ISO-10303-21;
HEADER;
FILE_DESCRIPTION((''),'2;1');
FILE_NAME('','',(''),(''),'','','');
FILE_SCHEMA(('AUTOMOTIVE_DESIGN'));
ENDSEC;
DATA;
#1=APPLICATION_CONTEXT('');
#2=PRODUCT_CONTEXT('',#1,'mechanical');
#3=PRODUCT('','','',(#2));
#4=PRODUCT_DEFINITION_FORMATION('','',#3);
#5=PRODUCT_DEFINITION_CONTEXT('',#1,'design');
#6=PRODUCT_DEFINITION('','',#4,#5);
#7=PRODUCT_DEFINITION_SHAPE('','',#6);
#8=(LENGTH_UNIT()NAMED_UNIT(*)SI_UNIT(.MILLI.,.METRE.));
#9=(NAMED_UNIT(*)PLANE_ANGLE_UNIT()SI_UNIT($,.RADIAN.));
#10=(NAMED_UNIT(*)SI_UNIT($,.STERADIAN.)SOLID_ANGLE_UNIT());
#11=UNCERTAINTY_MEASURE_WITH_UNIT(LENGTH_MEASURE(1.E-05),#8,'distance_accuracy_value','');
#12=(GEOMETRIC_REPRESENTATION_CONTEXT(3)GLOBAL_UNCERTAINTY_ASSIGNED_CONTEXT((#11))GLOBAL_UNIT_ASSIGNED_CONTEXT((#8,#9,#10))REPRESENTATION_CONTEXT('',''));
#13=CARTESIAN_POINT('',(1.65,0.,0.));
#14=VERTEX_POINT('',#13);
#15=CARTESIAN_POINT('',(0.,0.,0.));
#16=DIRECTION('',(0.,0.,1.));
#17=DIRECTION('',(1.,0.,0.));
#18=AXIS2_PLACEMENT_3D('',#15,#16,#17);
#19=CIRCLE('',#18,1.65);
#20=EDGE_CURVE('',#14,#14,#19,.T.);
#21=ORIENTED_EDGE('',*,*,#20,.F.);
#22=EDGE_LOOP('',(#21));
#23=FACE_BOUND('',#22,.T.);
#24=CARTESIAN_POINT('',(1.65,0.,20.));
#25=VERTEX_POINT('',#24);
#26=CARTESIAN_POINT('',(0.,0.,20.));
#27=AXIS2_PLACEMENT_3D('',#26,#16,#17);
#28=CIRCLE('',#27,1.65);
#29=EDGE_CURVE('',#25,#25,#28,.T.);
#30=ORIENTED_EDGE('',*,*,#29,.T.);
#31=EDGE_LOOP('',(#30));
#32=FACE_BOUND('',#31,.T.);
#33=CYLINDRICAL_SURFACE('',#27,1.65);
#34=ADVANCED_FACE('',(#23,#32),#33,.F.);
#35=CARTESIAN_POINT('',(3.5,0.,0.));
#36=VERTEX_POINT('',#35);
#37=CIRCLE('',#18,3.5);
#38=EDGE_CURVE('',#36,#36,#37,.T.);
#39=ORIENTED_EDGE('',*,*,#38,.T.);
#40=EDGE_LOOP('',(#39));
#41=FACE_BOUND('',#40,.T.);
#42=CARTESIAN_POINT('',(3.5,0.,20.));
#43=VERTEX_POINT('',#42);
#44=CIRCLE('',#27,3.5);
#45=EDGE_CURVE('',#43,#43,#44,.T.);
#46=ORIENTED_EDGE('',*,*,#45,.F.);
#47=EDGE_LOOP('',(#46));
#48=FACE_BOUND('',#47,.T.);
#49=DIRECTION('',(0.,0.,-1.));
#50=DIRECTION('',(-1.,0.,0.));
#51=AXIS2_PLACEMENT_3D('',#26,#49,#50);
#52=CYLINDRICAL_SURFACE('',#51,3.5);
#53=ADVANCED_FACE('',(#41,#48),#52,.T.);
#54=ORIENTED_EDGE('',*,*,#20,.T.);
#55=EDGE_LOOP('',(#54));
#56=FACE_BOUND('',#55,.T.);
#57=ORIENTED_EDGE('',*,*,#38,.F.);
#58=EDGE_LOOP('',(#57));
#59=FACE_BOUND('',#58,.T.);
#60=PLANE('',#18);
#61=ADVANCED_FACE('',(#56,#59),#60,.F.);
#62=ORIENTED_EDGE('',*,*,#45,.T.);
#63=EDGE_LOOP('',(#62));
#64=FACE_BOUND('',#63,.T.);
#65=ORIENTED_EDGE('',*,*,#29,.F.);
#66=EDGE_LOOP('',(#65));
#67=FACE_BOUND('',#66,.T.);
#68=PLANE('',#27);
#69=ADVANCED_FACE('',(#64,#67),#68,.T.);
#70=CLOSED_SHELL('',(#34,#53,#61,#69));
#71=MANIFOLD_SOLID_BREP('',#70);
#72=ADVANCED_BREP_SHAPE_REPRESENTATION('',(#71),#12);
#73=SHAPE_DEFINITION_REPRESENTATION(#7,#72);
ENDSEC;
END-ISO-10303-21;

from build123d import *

# Parameters (mm, degrees)
SKETCH_1_R         = 3.5
EXTRUDE_1_DEPTH    = 20
HOLE_WIZARD_M4_1_D = 3.3


with BuildPart() as part:
    # 草图1 → 凸台-拉伸1 (new body)
    with BuildSketch(Plane.XY):
        Circle(SKETCH_1_R)
    extrude(amount=EXTRUDE_1_DEPTH)

    # M4 螺纹孔1 (through all)
    with Locations(Plane.XY.offset(20)):
        with Locations((0, 0)):
            Hole(HOLE_WIZARD_M4_1_D / 2)


solid = part.part
